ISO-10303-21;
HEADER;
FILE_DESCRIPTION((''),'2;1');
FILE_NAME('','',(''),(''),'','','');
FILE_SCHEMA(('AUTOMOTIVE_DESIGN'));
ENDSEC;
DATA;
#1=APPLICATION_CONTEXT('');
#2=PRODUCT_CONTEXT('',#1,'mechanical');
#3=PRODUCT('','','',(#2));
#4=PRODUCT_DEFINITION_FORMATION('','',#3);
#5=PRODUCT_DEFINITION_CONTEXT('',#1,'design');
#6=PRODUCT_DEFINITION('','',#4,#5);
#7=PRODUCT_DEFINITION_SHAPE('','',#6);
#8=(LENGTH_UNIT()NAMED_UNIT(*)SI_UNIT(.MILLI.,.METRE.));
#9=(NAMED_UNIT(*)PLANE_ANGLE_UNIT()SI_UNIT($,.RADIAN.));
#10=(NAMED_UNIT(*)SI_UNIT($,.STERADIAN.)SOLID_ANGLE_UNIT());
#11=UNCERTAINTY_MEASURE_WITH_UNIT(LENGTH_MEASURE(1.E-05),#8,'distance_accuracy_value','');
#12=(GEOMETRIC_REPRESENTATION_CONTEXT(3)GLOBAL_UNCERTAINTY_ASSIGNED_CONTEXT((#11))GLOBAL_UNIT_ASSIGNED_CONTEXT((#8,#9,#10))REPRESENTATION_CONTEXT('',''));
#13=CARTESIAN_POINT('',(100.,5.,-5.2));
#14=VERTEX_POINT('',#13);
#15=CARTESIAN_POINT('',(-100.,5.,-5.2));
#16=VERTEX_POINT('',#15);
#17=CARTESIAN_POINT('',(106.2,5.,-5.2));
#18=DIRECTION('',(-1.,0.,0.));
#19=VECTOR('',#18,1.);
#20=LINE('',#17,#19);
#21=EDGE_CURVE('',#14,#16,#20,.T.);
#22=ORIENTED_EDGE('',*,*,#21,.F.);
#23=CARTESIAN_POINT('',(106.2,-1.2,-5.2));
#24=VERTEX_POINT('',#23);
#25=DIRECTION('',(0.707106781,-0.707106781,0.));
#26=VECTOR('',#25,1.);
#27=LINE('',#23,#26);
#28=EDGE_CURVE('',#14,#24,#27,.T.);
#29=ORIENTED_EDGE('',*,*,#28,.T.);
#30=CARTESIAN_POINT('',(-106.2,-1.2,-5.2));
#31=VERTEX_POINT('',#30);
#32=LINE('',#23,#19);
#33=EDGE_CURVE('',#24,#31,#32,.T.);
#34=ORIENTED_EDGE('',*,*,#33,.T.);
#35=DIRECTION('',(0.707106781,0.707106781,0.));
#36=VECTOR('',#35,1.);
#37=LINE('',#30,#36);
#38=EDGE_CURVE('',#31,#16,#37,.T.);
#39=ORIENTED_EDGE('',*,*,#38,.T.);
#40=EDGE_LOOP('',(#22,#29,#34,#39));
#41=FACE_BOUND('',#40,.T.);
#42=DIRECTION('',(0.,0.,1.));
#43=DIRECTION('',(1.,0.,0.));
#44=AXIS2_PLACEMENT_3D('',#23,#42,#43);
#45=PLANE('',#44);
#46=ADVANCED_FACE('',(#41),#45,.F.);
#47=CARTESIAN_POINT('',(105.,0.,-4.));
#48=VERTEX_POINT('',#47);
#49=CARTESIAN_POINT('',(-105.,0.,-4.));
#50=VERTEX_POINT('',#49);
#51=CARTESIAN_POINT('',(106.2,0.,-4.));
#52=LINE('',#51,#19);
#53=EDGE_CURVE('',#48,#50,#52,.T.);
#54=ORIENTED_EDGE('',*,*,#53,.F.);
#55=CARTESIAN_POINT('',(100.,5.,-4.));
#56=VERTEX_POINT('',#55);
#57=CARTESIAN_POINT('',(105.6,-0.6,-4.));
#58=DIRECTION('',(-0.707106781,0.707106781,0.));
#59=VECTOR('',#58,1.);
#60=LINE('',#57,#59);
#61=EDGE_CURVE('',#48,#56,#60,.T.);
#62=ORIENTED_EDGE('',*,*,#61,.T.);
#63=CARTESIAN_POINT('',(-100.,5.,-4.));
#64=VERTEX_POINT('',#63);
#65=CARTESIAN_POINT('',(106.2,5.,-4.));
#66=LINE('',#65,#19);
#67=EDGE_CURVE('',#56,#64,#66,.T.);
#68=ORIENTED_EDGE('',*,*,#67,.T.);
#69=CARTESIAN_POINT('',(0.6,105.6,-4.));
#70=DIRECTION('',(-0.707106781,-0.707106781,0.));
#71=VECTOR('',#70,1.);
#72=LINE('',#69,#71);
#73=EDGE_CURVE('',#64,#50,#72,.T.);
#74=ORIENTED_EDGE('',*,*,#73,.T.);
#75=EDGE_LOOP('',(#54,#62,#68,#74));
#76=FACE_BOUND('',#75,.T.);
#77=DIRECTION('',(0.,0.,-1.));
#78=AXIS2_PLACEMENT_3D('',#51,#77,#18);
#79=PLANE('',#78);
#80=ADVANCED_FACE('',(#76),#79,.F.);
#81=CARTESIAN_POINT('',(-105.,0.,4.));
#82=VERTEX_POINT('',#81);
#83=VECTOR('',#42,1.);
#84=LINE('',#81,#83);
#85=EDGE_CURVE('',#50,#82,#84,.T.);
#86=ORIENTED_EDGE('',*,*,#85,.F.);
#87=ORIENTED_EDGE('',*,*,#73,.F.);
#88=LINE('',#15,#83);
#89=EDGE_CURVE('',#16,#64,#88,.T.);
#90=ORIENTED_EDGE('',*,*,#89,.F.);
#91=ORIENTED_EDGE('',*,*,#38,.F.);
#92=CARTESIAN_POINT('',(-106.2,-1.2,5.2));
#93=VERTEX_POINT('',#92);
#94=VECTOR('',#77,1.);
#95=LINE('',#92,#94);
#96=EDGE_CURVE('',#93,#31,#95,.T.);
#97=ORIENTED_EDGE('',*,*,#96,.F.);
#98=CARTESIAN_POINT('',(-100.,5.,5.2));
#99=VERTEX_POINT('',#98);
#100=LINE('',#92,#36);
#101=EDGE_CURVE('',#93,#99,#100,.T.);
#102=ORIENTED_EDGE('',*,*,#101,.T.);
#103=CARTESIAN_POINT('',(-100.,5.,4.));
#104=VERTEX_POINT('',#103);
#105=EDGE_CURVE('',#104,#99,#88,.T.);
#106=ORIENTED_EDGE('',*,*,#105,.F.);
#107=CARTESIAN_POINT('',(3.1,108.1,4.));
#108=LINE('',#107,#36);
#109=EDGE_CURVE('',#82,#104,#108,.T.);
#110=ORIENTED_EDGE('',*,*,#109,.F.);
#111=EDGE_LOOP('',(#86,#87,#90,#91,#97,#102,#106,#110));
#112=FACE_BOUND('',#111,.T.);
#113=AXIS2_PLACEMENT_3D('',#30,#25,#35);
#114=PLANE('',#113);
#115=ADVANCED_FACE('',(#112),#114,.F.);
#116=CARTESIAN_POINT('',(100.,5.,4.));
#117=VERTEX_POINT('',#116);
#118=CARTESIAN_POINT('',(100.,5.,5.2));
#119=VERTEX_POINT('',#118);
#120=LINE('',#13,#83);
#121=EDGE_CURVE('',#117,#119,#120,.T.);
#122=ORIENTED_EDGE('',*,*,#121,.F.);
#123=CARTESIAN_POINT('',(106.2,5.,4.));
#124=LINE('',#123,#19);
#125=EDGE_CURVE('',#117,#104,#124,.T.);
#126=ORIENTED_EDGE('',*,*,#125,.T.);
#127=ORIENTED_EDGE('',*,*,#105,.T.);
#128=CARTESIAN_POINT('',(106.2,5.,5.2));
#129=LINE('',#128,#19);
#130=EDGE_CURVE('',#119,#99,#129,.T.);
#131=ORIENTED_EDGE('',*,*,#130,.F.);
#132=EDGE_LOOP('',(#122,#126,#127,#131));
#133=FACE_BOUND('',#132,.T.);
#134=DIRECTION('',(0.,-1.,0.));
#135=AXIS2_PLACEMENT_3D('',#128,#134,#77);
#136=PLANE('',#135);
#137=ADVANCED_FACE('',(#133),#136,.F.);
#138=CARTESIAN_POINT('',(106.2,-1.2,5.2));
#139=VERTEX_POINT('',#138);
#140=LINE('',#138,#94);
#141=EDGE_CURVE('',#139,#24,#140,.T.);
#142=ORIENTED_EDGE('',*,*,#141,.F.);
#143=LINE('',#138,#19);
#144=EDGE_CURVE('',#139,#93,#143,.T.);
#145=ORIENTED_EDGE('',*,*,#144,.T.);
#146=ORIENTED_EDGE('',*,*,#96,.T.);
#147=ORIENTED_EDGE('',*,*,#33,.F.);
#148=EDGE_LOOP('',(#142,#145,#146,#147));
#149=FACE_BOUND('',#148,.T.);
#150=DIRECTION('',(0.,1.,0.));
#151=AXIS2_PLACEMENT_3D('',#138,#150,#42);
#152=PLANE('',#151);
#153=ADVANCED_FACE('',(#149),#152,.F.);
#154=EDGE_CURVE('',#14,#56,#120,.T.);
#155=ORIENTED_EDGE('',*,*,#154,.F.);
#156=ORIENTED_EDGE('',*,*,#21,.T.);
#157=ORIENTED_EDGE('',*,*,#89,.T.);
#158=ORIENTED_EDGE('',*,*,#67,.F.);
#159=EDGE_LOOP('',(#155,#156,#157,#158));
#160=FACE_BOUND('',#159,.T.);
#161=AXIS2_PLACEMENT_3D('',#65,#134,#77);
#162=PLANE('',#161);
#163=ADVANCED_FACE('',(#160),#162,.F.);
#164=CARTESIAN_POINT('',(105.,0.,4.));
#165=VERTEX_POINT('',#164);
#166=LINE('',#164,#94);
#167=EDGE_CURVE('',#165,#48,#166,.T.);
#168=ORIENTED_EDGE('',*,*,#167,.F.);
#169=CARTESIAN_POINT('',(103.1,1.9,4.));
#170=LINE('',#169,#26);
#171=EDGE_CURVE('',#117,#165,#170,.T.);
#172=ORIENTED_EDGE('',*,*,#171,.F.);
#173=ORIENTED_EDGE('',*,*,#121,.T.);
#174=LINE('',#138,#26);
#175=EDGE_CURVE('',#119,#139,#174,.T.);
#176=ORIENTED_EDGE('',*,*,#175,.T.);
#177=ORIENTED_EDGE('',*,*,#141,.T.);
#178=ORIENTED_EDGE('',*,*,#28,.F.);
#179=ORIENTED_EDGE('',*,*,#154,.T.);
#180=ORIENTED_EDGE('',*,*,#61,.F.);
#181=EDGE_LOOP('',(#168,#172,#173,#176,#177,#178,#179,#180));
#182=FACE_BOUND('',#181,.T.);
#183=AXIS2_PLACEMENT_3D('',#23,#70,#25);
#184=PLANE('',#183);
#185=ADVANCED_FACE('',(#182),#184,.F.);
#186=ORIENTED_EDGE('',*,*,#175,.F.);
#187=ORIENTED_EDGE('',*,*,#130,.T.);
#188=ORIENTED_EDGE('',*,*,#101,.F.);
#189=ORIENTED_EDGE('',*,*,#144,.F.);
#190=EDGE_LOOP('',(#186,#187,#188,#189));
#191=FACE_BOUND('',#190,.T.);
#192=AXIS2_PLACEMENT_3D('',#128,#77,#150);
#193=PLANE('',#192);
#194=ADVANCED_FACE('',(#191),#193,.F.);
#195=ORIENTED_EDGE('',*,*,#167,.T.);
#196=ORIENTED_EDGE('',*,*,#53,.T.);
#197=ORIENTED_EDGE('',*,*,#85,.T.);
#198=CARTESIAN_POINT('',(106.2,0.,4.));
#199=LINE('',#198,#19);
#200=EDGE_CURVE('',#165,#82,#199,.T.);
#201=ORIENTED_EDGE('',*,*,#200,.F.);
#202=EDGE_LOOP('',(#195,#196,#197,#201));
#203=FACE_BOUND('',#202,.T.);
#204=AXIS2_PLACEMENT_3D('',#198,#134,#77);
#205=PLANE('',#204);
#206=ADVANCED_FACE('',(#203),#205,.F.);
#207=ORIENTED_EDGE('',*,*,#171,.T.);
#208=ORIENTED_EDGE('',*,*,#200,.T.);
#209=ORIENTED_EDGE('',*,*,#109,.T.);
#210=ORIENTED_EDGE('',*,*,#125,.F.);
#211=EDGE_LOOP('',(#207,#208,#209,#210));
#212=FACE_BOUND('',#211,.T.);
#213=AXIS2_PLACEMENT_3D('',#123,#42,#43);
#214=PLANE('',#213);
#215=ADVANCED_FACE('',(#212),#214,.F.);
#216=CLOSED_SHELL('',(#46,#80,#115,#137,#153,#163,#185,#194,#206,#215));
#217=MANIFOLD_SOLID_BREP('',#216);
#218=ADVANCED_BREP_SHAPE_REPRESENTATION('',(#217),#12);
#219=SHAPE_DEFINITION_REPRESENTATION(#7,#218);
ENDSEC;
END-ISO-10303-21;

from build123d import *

# Parameters (mm, degrees)
BOSS_EXTRUDE1_DEPTH = 106.2
CUT_EXTRUDE1_DEPTH  = 11.4


with BuildPart() as part:
    # Sketch1 → Boss-Extrude1 (new body, symmetric)
    with BuildSketch(Plane(origin=(0, 0, 0), x_dir=(0, 0, -1), z_dir=(1, 0, 0))):
        Polygon((-4, 5), (-4, 0), (4, 0), (4, 5), (5.2, 5), (5.2, -1.2), (-5.2, -1.2), (-5.2, 5), align=None)
    extrude(amount=BOSS_EXTRUDE1_DEPTH, both=True)

    # Sketch3 → Cut-Extrude1 (cut, through all)
    with BuildSketch(Plane.XY.offset(5.2)):
        Polygon((-106.2, 5), (-106.2, -1.2), (-100, 5), align=None)
        Polygon((106.2, 5), (106.2, -1.2), (100, 5), align=None)
    extrude(amount=-CUT_EXTRUDE1_DEPTH, mode=Mode.SUBTRACT)


solid = part.part
